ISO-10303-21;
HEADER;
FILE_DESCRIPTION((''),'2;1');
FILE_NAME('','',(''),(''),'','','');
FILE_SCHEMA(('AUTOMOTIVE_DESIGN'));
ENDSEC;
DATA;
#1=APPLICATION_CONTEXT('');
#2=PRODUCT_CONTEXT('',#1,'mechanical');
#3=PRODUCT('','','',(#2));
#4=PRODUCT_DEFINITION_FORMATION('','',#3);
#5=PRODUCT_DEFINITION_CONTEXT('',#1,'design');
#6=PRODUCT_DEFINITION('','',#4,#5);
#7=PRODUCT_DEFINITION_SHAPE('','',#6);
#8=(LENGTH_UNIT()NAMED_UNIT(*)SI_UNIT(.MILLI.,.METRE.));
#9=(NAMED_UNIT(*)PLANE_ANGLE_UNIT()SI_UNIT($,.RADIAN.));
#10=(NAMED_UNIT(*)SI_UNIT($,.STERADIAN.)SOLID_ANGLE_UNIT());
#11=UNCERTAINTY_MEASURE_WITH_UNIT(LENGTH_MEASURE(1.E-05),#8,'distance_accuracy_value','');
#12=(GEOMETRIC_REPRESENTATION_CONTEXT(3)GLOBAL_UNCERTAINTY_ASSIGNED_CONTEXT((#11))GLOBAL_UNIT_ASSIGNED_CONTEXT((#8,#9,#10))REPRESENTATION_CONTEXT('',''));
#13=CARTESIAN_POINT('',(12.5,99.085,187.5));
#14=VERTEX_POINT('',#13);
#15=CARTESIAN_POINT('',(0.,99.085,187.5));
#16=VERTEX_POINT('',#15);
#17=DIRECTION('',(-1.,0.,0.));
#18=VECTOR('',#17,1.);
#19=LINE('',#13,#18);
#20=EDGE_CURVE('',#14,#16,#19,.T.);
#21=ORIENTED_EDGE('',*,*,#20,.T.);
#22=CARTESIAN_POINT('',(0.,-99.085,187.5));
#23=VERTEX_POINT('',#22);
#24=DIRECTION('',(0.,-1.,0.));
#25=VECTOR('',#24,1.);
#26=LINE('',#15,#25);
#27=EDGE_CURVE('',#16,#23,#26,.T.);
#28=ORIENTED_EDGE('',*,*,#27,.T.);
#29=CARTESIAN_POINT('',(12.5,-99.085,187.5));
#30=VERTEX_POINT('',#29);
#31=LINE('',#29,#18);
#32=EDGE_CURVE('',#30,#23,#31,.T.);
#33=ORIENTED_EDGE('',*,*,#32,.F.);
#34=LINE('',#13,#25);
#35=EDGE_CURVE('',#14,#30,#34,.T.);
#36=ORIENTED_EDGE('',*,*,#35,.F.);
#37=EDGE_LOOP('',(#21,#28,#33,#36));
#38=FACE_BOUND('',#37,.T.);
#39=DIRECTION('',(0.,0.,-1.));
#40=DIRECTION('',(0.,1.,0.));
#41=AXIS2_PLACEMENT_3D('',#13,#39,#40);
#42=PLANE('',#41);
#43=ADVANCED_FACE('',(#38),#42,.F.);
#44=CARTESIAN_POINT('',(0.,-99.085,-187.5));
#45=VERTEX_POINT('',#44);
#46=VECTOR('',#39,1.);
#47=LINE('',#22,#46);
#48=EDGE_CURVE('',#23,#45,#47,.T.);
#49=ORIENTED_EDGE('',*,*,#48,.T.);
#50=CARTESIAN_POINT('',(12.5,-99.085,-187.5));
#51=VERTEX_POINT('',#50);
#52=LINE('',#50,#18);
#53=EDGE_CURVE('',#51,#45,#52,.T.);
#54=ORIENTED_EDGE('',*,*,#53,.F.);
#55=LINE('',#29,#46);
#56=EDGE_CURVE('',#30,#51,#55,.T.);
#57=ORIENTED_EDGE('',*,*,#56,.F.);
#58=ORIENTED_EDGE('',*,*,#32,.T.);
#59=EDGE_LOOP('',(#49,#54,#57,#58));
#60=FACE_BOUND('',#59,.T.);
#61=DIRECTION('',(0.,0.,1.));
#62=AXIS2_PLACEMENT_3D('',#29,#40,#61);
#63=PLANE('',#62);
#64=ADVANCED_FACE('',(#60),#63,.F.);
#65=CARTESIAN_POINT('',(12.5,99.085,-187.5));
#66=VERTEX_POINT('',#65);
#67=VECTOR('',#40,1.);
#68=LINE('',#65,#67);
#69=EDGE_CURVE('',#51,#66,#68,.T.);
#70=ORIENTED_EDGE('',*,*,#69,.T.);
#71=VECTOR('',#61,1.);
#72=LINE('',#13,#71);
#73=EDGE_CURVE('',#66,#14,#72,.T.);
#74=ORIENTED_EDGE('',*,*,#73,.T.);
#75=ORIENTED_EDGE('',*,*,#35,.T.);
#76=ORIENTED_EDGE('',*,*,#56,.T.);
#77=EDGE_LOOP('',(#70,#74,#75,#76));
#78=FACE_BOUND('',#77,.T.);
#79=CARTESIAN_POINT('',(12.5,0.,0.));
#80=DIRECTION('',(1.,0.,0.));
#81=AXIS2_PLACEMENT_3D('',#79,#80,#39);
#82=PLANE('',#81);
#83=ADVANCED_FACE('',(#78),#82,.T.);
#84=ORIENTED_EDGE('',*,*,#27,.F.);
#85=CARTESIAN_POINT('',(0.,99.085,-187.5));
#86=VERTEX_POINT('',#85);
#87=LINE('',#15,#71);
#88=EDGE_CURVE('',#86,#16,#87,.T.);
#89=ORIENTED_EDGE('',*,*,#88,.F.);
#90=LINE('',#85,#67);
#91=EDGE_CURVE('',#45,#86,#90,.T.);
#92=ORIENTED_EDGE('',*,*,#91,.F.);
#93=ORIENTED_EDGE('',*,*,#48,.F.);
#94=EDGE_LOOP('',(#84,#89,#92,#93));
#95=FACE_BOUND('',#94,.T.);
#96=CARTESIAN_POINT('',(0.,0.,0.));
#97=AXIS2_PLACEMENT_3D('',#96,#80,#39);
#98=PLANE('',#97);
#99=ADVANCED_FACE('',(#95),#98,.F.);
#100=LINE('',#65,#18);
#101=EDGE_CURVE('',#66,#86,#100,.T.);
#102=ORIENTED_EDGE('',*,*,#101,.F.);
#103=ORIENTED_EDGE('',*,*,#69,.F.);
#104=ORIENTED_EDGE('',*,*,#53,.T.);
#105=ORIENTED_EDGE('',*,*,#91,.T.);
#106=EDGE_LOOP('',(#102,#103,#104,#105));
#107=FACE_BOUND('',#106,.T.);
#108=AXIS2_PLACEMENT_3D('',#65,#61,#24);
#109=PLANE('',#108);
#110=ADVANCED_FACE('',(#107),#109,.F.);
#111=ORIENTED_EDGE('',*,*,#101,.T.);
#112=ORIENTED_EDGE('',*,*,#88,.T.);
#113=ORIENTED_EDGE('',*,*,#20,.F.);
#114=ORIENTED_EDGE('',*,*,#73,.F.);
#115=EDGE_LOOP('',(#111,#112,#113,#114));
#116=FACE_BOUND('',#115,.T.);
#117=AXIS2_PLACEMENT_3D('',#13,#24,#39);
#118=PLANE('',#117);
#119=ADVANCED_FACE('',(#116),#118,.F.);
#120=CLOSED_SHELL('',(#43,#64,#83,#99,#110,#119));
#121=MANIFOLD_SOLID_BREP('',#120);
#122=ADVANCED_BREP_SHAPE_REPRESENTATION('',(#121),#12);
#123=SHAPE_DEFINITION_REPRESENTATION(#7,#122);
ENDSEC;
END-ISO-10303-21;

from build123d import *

# Parameters (mm, degrees)
SKETCH1_W           = 375
SKETCH1_H           = 198.17
BOSS_EXTRUDE1_DEPTH = 12.5


with BuildPart() as part:
    # Sketch1 → Boss-Extrude1 (new body)
    with BuildSketch(Plane(origin=(0, 0, 0), x_dir=(0, 0, -1), z_dir=(1, 0, 0))):
        Rectangle(SKETCH1_W, SKETCH1_H)
    extrude(amount=BOSS_EXTRUDE1_DEPTH)


solid = part.part
